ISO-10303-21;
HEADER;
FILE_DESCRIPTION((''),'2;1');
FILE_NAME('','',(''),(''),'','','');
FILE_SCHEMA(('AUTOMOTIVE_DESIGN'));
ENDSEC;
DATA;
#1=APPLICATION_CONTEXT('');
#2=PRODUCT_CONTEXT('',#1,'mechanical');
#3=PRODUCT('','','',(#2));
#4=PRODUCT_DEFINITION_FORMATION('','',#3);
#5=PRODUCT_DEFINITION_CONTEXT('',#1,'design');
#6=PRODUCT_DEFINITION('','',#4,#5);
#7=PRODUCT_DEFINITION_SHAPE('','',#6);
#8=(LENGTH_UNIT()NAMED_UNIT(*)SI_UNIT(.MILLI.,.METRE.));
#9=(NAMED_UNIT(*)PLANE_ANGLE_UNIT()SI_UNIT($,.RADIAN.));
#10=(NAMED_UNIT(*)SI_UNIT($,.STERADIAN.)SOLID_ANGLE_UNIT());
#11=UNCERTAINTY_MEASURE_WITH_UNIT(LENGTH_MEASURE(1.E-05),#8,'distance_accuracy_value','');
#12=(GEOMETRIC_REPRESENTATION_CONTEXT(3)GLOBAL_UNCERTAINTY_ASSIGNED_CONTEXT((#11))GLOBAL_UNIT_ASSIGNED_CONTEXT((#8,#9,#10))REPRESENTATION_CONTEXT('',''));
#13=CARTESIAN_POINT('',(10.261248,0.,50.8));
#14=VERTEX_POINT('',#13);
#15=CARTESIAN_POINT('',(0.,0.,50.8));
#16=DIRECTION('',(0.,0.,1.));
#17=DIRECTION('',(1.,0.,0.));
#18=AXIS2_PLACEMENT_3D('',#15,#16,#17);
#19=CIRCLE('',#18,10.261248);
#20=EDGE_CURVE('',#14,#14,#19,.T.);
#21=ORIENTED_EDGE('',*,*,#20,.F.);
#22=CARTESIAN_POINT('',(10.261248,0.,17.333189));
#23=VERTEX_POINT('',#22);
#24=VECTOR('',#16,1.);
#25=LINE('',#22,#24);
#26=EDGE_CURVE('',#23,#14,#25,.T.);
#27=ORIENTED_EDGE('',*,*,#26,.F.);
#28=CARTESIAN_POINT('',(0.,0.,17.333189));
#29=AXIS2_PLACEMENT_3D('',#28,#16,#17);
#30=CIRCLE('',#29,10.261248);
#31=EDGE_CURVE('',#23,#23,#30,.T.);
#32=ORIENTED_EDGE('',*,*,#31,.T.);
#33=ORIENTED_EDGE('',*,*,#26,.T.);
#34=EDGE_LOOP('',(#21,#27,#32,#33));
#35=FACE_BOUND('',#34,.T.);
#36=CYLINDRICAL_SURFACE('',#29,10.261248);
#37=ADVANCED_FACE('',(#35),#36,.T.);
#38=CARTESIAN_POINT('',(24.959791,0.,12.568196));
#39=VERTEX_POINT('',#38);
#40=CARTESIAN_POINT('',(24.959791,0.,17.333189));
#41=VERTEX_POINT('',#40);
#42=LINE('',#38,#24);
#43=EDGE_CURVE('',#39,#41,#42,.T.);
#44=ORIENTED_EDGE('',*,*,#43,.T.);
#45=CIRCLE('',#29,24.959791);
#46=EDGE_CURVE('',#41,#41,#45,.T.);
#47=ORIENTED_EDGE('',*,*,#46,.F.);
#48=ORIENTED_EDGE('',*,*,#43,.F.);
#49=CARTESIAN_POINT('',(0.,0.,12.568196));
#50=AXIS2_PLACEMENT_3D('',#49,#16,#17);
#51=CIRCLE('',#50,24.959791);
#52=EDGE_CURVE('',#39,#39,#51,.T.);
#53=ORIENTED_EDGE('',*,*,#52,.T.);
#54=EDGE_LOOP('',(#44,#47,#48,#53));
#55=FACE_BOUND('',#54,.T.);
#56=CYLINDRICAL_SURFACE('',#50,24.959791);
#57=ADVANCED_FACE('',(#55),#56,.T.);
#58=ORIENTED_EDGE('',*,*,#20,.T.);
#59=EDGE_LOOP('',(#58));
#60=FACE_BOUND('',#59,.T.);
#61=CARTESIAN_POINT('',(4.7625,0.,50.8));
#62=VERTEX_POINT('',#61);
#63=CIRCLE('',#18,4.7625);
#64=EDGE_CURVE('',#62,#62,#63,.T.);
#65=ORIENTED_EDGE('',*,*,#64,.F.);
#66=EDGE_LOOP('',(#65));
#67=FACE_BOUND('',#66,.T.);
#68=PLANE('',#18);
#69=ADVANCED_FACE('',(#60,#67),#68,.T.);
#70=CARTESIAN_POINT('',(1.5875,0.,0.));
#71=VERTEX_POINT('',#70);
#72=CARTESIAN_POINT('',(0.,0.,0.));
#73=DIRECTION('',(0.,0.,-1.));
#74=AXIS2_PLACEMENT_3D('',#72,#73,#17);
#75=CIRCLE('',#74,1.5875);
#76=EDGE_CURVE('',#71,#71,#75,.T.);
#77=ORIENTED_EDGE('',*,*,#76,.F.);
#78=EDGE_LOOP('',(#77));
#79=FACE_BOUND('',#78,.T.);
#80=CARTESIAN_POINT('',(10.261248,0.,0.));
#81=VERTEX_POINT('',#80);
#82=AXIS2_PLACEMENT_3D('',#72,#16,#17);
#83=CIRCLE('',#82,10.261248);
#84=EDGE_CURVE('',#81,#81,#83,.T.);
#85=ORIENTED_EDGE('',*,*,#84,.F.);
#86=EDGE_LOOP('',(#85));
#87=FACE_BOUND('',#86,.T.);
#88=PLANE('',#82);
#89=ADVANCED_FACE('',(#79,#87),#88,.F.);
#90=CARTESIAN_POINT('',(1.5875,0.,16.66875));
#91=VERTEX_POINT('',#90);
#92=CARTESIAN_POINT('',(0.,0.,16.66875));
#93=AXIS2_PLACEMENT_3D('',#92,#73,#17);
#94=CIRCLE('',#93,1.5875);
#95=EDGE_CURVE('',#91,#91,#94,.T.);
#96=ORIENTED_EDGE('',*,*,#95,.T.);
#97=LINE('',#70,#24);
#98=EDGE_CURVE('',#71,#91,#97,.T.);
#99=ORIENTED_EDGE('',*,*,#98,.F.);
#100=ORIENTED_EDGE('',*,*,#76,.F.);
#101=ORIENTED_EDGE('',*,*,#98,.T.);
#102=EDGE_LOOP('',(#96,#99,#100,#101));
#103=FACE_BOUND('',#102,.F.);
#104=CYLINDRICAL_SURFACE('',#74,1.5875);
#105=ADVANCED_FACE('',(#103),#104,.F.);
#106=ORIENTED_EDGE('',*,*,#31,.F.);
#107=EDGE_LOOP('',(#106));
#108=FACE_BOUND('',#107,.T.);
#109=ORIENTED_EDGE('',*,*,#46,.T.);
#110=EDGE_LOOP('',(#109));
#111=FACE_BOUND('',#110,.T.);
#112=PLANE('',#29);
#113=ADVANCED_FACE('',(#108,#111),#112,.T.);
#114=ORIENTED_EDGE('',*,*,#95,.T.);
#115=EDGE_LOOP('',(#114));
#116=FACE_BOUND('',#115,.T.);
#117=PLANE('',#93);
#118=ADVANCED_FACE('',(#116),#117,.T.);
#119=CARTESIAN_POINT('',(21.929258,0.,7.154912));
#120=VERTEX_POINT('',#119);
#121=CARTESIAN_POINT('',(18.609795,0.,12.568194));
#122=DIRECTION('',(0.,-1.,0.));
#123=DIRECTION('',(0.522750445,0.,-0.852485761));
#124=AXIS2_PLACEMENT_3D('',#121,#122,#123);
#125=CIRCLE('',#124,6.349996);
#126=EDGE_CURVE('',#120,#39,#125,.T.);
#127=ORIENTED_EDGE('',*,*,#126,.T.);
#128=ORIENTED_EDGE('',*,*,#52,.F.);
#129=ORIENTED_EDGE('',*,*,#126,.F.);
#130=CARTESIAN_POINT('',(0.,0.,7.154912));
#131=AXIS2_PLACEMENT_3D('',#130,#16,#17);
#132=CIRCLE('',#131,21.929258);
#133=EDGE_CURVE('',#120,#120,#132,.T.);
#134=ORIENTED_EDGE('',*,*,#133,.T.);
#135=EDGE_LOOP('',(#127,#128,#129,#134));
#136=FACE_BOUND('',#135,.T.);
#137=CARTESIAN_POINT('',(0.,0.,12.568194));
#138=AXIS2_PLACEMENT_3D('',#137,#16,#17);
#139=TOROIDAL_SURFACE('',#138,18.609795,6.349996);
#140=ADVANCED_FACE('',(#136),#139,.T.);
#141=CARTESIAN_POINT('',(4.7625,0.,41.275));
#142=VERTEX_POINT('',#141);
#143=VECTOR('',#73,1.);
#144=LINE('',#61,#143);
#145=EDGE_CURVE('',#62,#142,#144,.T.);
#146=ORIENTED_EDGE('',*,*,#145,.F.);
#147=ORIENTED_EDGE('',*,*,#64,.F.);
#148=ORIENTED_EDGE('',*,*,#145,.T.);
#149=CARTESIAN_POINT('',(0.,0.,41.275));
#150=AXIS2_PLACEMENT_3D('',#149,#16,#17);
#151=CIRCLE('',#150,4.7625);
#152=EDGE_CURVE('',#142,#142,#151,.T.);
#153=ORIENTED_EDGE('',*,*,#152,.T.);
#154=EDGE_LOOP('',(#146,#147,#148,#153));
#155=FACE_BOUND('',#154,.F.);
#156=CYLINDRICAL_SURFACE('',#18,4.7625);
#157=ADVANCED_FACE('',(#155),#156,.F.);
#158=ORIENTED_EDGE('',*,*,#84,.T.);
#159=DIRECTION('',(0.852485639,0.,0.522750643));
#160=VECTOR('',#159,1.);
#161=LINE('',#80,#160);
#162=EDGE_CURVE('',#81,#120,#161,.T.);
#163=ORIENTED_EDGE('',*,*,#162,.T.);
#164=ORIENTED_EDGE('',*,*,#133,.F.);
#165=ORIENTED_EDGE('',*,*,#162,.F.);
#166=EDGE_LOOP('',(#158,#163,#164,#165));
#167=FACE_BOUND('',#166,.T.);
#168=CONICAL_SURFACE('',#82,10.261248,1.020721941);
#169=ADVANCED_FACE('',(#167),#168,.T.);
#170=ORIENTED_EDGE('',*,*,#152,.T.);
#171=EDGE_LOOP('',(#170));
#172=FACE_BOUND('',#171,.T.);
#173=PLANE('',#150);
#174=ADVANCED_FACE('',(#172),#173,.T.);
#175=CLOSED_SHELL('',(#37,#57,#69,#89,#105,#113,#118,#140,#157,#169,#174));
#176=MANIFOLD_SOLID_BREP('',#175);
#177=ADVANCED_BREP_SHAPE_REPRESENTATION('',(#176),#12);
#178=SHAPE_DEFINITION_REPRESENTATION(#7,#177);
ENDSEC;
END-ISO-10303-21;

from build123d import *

# Parameters (mm, degrees)
F2_R     = 4.7625
F3_DEPTH = 9.525
F4_R     = 1.5875
F5_DEPTH = 16.66875


with BuildPart() as f1:
    # F0 (on Front) → F1 (revolve)
    with BuildSketch(Plane.XZ):
        with BuildLine():
            Line((0, 50.8), (0, 0))
            Line((0, 0), (10.261248, 0))
            Line((10.261248, 0), (21.929258, 7.154912))
            ThreePointArc((21.929258, 7.154912), (24.1506, 9.46627), (24.959791, 12.568196))
            Line((24.959791, 12.568196), (24.959791, 17.333189))
            Line((24.959791, 17.333189), (10.261248, 17.333189))
            Line((10.261248, 17.333189), (10.261248, 50.8))
            Line((10.261248, 50.8), (0, 50.8))
        make_face()
    revolve(axis=Axis((0, 0, 25.4), (0, 0, 1)))

    # F2 (on face) → F3 (cut)
    with BuildSketch(Plane.XY.offset(50.8)):
        Circle(F2_R)
    extrude(amount=-F3_DEPTH, mode=Mode.SUBTRACT)

    # F4 (on face) → F5 (cut)
    with BuildSketch(Plane(origin=(0, 0, 0), x_dir=(1, 0, 0), z_dir=(0, 0, -1))):
        Circle(F4_R)
    extrude(amount=-F5_DEPTH, mode=Mode.SUBTRACT)


solid = f1.part
